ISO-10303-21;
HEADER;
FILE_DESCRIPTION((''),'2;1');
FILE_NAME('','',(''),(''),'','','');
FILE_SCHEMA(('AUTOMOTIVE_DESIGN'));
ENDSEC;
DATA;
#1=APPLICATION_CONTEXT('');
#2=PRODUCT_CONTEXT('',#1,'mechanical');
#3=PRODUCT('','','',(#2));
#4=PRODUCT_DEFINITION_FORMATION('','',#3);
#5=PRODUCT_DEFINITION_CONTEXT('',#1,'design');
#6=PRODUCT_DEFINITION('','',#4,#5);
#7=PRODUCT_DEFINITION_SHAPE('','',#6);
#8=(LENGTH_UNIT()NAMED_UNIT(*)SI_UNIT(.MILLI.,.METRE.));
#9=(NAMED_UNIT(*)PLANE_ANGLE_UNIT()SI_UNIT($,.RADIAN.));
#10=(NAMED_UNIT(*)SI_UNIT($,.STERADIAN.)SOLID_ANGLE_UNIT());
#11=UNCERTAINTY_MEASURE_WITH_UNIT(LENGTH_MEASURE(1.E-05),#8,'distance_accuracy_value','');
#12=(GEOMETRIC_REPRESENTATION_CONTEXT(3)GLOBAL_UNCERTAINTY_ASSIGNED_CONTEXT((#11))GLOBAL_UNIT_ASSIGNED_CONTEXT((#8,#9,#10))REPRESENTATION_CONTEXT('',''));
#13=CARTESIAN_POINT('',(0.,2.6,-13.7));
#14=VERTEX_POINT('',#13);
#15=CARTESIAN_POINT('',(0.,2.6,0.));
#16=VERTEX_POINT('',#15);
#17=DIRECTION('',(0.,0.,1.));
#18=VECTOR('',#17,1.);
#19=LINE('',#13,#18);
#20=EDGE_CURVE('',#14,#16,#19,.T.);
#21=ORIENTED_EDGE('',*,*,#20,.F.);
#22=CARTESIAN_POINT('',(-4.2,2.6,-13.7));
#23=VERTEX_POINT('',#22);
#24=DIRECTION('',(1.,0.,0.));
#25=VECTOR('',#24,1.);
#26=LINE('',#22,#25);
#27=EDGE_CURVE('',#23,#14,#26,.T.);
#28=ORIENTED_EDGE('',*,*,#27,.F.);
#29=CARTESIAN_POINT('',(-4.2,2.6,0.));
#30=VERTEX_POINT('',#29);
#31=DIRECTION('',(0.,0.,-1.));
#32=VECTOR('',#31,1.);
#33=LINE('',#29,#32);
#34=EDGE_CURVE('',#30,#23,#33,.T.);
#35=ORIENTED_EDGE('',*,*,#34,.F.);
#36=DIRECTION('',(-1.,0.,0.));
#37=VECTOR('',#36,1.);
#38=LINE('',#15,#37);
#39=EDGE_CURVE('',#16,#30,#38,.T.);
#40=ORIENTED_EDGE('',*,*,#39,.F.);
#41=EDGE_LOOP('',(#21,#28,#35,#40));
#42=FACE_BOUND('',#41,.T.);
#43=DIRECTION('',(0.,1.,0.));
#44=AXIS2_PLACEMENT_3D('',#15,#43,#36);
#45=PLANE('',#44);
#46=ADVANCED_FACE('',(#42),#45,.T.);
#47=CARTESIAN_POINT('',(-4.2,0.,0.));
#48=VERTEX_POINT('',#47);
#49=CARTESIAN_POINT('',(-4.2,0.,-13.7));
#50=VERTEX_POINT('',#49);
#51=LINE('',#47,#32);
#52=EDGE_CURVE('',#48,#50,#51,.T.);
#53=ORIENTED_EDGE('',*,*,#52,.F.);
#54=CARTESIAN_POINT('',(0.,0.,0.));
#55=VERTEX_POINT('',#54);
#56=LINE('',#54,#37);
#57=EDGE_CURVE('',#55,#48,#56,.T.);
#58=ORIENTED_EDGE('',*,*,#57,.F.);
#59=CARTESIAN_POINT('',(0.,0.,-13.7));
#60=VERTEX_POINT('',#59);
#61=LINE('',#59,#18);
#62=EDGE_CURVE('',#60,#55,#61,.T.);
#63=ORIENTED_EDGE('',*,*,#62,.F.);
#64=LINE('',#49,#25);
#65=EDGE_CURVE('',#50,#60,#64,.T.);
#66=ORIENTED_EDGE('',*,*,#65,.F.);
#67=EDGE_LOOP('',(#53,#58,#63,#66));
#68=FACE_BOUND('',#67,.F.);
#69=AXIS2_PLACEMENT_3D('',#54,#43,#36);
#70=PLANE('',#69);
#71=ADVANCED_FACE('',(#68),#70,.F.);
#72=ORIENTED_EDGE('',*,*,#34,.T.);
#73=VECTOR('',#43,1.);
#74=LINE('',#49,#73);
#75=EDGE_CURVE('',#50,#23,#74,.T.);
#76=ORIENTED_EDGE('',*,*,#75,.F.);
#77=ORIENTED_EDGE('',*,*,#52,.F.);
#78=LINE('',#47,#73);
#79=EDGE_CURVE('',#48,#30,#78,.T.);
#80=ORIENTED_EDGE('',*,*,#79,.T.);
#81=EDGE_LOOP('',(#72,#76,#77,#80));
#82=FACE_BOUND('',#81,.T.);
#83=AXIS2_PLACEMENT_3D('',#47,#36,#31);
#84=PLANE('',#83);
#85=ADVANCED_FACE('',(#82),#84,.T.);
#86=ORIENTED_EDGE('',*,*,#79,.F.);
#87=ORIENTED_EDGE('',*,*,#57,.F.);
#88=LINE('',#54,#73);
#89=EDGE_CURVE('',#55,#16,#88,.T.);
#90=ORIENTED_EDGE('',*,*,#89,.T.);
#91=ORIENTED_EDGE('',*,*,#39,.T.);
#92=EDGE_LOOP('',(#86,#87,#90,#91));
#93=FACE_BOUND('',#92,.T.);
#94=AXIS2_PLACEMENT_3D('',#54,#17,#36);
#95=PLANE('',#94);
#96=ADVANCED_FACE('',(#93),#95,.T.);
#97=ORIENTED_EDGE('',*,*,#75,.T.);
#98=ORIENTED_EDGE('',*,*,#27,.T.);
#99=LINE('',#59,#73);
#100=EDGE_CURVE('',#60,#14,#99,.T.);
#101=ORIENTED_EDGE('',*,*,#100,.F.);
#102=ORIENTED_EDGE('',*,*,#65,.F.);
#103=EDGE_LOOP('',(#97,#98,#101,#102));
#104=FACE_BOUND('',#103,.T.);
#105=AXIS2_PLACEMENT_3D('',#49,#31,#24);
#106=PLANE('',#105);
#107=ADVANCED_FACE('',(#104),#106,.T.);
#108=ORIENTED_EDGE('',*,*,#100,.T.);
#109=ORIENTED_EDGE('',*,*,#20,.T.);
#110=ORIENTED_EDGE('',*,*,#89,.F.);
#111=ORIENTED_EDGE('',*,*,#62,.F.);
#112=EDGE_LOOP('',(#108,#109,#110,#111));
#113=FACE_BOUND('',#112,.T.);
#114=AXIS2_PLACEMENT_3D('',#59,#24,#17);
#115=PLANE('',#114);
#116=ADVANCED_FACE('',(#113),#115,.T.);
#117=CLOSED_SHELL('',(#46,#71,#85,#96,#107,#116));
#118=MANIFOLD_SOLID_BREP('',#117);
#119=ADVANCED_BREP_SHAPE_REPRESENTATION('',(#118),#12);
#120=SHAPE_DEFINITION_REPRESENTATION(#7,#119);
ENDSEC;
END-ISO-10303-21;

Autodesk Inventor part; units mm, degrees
ref_plane "YZ Plane" through (0, 0, 0) normal (1, 0, 0) x (0, 1, 0)
ref_plane "XZ Plane" through (0, 0, 0) normal (0, 1, 0) x (-1, 0, 0)
ref_plane "XY Plane" through (0, 0, 0) normal (0, 0, 1) x (1, 0, 0)
sketch "Boceto1" plane through (0, 0, 0) normal (0, 1, 0) x (-1, 0, 0)
  line L0 (0, 0) -> (4.2, 0)
  line L1 (4.2, 0) -> (4.2, -13.7)
  line L2 (4.2, -13.7) -> (0, -13.7)
  line L3 (0, -13.7) -> (0, 0)
extrude "Extrusión1" add sketch "Boceto1" along normal blind 2.6
properties part number "bateria"
